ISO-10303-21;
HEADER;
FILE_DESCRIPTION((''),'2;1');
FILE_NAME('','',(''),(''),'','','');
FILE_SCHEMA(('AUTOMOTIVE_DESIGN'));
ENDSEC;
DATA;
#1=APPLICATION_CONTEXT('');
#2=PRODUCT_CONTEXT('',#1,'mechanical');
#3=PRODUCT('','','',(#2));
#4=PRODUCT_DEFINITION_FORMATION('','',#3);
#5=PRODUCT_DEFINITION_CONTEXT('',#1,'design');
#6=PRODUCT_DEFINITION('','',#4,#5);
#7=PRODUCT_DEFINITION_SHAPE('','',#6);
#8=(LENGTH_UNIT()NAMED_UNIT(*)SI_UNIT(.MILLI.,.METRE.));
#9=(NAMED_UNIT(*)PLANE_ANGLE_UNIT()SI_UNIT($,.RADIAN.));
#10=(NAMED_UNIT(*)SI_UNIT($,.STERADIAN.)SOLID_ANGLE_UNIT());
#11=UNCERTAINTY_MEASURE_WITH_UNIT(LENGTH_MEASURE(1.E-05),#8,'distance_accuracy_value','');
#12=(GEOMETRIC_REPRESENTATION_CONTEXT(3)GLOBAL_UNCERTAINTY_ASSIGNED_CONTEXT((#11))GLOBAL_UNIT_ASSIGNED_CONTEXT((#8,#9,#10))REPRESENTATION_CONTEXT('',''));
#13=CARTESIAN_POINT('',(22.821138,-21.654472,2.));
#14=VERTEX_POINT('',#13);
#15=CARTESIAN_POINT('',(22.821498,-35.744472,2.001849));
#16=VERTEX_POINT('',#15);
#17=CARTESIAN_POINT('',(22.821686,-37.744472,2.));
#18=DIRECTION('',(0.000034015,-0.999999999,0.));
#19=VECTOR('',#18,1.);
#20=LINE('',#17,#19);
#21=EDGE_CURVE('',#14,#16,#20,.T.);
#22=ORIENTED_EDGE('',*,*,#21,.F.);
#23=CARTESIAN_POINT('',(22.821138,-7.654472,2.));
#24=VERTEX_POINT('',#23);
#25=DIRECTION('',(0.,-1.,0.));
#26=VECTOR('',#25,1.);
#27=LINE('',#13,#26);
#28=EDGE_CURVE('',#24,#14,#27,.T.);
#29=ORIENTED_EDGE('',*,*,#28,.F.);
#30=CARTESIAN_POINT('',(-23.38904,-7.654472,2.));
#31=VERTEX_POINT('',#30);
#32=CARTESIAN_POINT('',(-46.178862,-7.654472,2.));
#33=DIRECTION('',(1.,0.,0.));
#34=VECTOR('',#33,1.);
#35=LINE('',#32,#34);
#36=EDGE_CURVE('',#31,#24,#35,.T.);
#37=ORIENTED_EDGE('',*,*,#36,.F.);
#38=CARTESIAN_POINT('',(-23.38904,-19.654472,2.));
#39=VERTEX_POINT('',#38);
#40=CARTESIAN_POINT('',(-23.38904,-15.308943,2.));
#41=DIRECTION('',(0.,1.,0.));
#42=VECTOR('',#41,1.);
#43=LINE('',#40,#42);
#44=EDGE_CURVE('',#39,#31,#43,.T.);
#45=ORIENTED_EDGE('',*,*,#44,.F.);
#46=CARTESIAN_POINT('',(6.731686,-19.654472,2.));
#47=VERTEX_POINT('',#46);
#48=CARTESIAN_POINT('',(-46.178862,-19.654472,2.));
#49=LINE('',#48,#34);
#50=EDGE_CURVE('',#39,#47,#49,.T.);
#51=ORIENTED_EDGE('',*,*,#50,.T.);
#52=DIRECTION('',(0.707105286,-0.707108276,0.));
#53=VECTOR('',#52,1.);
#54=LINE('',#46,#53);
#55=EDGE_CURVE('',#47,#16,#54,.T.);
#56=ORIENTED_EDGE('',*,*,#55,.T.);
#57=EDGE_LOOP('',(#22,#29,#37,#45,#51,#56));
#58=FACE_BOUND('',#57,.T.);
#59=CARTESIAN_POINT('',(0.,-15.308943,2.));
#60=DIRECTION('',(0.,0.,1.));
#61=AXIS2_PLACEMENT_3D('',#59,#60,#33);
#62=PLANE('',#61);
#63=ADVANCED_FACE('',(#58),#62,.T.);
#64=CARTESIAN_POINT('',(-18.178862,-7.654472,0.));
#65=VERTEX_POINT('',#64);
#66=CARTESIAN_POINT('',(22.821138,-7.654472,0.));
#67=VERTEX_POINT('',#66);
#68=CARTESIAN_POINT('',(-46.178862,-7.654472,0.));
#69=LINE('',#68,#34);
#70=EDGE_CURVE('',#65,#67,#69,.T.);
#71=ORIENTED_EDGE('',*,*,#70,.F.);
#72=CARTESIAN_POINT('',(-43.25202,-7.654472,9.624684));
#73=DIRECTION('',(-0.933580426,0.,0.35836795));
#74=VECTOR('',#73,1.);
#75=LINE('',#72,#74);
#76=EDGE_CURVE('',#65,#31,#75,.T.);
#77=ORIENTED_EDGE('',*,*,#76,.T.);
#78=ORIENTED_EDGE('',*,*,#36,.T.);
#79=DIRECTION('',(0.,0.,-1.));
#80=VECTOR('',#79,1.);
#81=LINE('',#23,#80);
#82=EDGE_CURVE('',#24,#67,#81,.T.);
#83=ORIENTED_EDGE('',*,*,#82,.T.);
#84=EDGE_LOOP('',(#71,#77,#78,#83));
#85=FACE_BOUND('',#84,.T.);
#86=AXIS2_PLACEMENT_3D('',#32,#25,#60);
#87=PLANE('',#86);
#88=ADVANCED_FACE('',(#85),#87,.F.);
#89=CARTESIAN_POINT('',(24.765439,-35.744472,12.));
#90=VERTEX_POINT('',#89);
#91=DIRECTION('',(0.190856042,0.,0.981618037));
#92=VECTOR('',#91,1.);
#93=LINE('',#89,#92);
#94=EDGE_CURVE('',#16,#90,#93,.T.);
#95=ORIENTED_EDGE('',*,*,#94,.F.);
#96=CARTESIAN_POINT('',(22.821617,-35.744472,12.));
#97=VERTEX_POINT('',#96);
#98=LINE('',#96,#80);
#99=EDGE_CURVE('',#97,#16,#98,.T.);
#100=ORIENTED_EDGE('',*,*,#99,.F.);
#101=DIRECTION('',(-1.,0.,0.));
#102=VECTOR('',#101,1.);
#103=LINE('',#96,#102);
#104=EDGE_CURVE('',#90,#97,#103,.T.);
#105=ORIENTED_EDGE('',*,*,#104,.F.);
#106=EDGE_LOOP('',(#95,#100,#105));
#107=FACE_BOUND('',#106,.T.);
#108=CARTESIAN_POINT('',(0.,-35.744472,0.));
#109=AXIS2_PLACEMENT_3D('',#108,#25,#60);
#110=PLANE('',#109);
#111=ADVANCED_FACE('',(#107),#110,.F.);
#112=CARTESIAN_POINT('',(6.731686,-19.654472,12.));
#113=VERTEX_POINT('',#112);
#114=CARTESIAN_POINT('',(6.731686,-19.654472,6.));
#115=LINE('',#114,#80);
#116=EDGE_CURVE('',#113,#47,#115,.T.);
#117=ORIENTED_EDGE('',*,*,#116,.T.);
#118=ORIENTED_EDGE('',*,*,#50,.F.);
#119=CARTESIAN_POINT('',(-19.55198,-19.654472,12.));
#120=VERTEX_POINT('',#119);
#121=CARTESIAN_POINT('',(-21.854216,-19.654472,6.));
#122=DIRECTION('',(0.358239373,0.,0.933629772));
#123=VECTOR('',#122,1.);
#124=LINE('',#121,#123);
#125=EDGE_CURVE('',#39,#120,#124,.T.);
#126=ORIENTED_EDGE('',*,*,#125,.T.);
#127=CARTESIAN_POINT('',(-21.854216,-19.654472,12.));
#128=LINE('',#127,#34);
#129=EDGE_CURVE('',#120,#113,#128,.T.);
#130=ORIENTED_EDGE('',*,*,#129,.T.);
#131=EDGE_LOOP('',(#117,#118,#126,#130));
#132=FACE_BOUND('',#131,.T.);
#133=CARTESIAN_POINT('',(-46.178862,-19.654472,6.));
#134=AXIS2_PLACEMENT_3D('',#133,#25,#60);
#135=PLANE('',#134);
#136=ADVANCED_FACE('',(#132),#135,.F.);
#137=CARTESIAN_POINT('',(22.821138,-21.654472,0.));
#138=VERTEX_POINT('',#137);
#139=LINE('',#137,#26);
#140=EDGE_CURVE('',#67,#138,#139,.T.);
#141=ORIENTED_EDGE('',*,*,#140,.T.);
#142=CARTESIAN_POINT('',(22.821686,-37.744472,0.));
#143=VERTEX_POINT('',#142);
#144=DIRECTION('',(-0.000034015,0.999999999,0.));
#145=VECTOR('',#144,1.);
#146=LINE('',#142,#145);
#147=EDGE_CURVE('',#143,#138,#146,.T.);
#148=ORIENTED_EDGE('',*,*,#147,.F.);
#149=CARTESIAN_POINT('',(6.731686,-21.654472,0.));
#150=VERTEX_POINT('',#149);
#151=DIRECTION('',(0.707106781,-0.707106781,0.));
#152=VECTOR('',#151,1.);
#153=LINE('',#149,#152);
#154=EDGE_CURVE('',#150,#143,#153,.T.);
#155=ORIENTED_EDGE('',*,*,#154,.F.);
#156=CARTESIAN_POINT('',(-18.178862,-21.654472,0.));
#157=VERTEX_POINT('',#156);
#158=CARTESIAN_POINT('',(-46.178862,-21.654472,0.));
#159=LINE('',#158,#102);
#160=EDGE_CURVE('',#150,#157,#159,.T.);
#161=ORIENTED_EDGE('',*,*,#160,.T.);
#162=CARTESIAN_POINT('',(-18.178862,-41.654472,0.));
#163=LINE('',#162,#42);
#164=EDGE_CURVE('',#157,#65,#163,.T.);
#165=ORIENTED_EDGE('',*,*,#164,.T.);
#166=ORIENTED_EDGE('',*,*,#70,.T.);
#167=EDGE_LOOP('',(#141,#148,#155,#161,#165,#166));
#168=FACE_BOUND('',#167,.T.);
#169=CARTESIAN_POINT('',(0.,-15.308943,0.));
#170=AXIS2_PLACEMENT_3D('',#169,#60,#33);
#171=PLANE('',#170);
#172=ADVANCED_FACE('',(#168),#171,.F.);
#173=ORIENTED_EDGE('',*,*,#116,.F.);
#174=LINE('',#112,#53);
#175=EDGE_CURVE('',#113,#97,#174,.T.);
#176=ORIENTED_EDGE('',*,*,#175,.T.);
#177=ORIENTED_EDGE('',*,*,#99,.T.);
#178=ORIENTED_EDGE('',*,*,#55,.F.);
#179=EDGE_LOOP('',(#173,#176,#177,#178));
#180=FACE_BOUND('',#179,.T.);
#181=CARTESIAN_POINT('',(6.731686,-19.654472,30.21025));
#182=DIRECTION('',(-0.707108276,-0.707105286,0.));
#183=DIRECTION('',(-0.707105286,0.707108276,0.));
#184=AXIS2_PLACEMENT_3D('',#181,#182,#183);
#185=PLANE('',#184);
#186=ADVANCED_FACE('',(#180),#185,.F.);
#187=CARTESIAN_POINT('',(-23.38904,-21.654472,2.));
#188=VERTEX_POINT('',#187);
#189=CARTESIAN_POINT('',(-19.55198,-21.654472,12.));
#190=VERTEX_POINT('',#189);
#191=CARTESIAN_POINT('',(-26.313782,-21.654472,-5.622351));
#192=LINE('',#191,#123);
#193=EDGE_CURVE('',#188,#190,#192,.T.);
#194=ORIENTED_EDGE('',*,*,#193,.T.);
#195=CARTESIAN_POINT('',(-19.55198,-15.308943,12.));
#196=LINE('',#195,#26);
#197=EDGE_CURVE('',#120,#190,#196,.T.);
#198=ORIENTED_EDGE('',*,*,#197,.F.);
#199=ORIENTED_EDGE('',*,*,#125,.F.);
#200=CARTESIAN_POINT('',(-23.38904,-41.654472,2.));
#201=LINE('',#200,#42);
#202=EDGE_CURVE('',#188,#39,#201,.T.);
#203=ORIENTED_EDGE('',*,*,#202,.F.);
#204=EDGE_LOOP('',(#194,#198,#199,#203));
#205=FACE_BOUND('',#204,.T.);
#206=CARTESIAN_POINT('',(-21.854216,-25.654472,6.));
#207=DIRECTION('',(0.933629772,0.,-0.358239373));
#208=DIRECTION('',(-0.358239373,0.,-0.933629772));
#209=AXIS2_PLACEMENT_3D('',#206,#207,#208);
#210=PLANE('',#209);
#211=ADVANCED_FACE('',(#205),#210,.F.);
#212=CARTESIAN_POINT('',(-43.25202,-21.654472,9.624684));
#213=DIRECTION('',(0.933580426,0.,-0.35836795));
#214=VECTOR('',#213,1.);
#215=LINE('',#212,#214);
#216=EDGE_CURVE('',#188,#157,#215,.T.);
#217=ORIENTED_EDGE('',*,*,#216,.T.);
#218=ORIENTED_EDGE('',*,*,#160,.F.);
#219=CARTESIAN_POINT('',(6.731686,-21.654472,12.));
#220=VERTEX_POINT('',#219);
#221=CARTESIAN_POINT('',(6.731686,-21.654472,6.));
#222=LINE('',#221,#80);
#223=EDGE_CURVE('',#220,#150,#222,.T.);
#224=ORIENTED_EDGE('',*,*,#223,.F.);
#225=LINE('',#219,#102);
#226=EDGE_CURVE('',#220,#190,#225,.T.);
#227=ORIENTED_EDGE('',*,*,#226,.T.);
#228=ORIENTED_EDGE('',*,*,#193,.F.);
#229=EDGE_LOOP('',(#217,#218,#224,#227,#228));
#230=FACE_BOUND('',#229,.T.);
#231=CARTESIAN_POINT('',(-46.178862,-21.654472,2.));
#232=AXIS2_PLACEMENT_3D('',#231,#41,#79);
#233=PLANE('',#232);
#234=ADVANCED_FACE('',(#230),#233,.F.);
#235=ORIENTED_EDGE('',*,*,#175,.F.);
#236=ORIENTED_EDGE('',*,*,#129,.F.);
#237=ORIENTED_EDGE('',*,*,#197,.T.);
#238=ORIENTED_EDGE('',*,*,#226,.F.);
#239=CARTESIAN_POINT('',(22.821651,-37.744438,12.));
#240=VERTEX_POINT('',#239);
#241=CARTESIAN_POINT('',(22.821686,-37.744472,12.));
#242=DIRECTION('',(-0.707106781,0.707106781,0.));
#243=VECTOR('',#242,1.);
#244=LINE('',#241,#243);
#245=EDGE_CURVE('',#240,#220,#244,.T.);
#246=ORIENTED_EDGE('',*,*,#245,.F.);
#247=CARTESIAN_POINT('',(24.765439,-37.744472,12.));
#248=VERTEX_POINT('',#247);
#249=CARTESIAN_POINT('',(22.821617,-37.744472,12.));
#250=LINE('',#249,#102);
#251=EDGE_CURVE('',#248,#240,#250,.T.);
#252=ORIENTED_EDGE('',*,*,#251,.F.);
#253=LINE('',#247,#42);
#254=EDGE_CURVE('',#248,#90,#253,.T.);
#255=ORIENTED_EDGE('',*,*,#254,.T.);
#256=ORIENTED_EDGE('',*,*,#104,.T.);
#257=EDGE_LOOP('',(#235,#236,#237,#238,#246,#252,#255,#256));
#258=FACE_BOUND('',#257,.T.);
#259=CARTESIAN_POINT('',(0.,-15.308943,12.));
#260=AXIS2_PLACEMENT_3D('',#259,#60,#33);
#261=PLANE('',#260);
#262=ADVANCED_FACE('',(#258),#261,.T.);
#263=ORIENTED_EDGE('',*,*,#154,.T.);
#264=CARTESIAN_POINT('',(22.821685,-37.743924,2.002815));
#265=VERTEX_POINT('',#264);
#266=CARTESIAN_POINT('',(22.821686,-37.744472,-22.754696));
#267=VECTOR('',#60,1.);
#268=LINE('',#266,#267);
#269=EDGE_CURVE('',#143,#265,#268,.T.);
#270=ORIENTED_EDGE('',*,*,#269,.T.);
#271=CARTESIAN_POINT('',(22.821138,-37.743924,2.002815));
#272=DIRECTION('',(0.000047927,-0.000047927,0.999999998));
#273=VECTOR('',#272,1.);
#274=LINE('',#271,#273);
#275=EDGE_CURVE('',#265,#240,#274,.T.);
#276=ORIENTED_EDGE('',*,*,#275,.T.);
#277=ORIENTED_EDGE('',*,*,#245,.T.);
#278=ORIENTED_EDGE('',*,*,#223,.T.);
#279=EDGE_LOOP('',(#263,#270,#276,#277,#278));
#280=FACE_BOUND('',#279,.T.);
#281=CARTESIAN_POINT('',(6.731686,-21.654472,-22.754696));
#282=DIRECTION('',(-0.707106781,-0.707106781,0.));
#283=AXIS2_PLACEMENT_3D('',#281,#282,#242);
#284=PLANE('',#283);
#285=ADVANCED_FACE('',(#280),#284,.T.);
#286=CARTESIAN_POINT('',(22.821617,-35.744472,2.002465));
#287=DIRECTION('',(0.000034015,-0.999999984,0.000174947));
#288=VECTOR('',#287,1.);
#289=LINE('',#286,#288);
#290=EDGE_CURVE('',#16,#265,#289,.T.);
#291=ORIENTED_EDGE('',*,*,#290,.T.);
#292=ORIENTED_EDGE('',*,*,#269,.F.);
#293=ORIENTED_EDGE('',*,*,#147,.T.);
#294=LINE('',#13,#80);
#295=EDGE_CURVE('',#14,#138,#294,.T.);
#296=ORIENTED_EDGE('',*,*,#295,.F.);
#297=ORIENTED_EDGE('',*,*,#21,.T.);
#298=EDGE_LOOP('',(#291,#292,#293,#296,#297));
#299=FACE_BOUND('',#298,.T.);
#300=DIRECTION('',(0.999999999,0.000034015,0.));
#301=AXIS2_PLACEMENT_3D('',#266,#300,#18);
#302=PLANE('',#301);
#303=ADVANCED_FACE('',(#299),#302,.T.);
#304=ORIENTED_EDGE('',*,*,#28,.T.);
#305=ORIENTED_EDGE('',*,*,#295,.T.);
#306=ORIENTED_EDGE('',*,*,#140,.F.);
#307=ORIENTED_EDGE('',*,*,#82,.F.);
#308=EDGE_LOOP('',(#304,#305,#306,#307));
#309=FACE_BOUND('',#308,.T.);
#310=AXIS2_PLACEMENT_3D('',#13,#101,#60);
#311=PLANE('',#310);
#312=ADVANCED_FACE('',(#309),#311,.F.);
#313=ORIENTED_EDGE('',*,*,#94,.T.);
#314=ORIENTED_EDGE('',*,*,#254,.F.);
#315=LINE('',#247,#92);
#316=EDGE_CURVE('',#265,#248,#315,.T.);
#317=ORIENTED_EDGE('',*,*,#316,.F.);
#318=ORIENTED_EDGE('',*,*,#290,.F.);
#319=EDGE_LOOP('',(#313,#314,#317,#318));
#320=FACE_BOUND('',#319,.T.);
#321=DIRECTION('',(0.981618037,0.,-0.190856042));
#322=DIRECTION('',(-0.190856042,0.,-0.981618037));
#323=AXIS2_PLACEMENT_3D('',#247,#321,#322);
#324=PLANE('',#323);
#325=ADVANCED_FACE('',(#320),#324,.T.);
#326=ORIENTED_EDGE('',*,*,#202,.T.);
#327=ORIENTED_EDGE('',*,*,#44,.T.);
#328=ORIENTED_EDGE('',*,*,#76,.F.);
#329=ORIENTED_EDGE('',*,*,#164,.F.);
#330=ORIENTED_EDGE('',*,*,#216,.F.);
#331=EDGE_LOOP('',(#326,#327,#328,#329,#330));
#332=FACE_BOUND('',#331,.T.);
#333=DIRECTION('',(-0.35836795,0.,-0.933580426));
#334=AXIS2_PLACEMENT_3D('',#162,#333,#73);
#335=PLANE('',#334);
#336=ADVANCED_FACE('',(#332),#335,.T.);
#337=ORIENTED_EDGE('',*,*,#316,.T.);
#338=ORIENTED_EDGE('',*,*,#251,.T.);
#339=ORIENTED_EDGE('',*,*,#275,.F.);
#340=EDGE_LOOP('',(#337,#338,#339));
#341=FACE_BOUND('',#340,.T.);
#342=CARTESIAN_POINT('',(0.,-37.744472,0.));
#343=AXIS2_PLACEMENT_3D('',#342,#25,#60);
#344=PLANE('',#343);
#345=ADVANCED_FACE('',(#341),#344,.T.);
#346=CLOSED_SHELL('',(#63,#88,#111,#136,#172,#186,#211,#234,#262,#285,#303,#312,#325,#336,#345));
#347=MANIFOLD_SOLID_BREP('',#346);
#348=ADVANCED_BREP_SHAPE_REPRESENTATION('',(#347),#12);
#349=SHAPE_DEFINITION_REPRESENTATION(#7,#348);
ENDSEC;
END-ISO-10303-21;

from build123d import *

# Parameters (mm, degrees)
SKETCH1_W               = 69
SKETCH1_H               = 14
BOSS_EXTRUDE1_DEPTH     = 2
SKETCH2_W               = 52.910547302
SKETCH2_H               = 2
BOSS_EXTRUDE2_DEPTH     = 4
CUT_EXTRUDE1_DEPTH      = 20
CUT_EXTRUDE1_DEPTH_BACK = 20
CUT_EXTRUDE2_DEPTH      = 2
BOSS_EXTRUDE3_DEPTH     = 2
BOSS_EXTRUDE4_DEPTH     = 4
BOSS_EXTRUDE5_DEPTH     = 6
CUT_EXTRUDE3_DEPTH      = 6
BOSS_EXTRUDE6_START     = -16.09
BOSS_EXTRUDE6_DEPTH     = 2
CUT_EXTRUDE4_DEPTH      = 20
CUT_EXTRUDE4_DEPTH_BACK = 20
SKETCH11_W              = 60.759047224
SKETCH11_H              = 31.87532725


with BuildPart() as part:
    # Sketch1 → Boss-Extrude1 (new body)
    with BuildSketch(Plane.XY):
        with Locations((-11.678861789, -0.654471545)):
            Rectangle(SKETCH1_W, SKETCH1_H)
    extrude(amount=BOSS_EXTRUDE1_DEPTH)

    # Sketch2 → Boss-Extrude2 (add)
    with BuildSketch(Plane.XY.offset(2)):
        with Locations((-19.723588138, 5.345528455)):
            Rectangle(SKETCH2_W, SKETCH2_H)
    extrude(amount=BOSS_EXTRUDE2_DEPTH)

    # Sketch4 → Cut-Extrude1 (cut, two sides: drawn at the far end of the back side and taken through both)
    with BuildSketch(Plane(origin=(0, 6.345528455, 0), x_dir=(1, 0, 0), z_dir=(0, 1, 0)).offset(-CUT_EXTRUDE1_DEPTH_BACK)):
        Polygon((-18.178861789, 0), (-33.809396177, -6), (-46.178861789, -6), (-46.178861789, 0), align=None)
    extrude(amount=CUT_EXTRUDE1_DEPTH + CUT_EXTRUDE1_DEPTH_BACK, mode=Mode.SUBTRACT)

    # Sketch5 → Cut-Extrude2 (cut)
    with BuildSketch(Plane(origin=(0, 6.345528455, 0), x_dir=(1, 0, 0), z_dir=(0, 1, 0))):
        Polygon((-33.809396177, -6), (-23.38959077, -2.000211452), (-21.854215798, -6), align=None)
    extrude(amount=-CUT_EXTRUDE2_DEPTH, mode=Mode.SUBTRACT)

    # Sketch6 → Boss-Extrude3 (add)
    with BuildSketch(Plane.XY.offset(2)):
        Polygon((6.731685513, 6.345528455), (22.821685513, 22.435528455), (22.821138211, 6.345528455), align=None)
    extrude(amount=-BOSS_EXTRUDE3_DEPTH)

    # Sketch7 → Boss-Extrude4 (add)
    with BuildSketch(Plane.XY.offset(2)):
        Polygon((6.731685513, 4.345528455), (22.821617483, 20.435528456), (22.821685513, 22.435528455), (6.731685513, 6.345528455), align=None)
    extrude(amount=BOSS_EXTRUDE4_DEPTH)

    # Sketch8 → Boss-Extrude5 (add)
    with BuildSketch(Plane.XY.offset(6)):
        Polygon((22.821685513, 22.435528455), (6.731685513, 6.345528455), (-21.854215798, 6.345528455), (-21.854215798, 4.345528455), (6.731685513, 4.345528455), (22.821617483, 20.435528456), align=None)
    extrude(amount=BOSS_EXTRUDE5_DEPTH)

    # Sketch9 → Cut-Extrude3 (cut)
    with BuildSketch(Plane.XZ.offset(-4.345528455)):
        Polygon((-23.389039918, 2), (-21.854215798, 6), (-19.551979619, 12), (-21.854215798, 12), align=None)
    extrude(amount=-CUT_EXTRUDE3_DEPTH, mode=Mode.SUBTRACT)


with BuildPart() as cut_extrude3_piece_1:
    # of the separate pieces the step leaves, piece 1, a body of its own (cut_extrude3_pieces)
    add(part.part.solids().sort_by_distance((-18.178861789, 6.345528455, 0))[0])

    # Sketch10 → Boss-Extrude6 (add)
    with BuildSketch(Plane.XZ.offset(-4.345528455).offset(BOSS_EXTRUDE6_START)):
        Polygon((22.821617483, 12), (24.765438688, 12), (22.821138211, 2), align=None)
    extrude(amount=-BOSS_EXTRUDE6_DEPTH)


with BuildPart() as cut_extrude3_piece_2:
    # of the separate pieces the step leaves, piece 2, a body of its own (cut_extrude3_pieces)
    add(part.part.solids().sort_by_distance((-23.38861886, 6.345528455, 2.002743364))[0])


with BuildPart() as body_3:
    # Mirror1: mirrored copy
    add(cut_extrude3_piece_1.part.mirror(Plane(origin=(-46.178861789, -7.654471545, 2), x_dir=(0, 0, 1), z_dir=(0, 1, 0))))


with BuildPart() as cut_extrude4_tool:
    # Sketch11 → Cut-Extrude4 (new, two sides: drawn at the far end of the back side and taken through both)
    with BuildSketch(Plane.XY.offset(2).offset(-CUT_EXTRUDE4_DEPTH_BACK)):
        with Locations((3.114590222, 8.28319208)):
            Rectangle(SKETCH11_W, SKETCH11_H)
    extrude(amount=CUT_EXTRUDE4_DEPTH + CUT_EXTRUDE4_DEPTH_BACK)


with BuildPart() as cut_extrude3_piece_1_1:
    add(cut_extrude3_piece_1.part)

    # Cut-Extrude4: cut by cut_extrude4_tool
    add(cut_extrude4_tool.part, mode=Mode.SUBTRACT)


with BuildPart() as cut_extrude3_piece_2_1:
    add(cut_extrude3_piece_2.part)

    # Cut-Extrude4: cut by cut_extrude4_tool
    add(cut_extrude4_tool.part, mode=Mode.SUBTRACT)


solid = body_3.part
